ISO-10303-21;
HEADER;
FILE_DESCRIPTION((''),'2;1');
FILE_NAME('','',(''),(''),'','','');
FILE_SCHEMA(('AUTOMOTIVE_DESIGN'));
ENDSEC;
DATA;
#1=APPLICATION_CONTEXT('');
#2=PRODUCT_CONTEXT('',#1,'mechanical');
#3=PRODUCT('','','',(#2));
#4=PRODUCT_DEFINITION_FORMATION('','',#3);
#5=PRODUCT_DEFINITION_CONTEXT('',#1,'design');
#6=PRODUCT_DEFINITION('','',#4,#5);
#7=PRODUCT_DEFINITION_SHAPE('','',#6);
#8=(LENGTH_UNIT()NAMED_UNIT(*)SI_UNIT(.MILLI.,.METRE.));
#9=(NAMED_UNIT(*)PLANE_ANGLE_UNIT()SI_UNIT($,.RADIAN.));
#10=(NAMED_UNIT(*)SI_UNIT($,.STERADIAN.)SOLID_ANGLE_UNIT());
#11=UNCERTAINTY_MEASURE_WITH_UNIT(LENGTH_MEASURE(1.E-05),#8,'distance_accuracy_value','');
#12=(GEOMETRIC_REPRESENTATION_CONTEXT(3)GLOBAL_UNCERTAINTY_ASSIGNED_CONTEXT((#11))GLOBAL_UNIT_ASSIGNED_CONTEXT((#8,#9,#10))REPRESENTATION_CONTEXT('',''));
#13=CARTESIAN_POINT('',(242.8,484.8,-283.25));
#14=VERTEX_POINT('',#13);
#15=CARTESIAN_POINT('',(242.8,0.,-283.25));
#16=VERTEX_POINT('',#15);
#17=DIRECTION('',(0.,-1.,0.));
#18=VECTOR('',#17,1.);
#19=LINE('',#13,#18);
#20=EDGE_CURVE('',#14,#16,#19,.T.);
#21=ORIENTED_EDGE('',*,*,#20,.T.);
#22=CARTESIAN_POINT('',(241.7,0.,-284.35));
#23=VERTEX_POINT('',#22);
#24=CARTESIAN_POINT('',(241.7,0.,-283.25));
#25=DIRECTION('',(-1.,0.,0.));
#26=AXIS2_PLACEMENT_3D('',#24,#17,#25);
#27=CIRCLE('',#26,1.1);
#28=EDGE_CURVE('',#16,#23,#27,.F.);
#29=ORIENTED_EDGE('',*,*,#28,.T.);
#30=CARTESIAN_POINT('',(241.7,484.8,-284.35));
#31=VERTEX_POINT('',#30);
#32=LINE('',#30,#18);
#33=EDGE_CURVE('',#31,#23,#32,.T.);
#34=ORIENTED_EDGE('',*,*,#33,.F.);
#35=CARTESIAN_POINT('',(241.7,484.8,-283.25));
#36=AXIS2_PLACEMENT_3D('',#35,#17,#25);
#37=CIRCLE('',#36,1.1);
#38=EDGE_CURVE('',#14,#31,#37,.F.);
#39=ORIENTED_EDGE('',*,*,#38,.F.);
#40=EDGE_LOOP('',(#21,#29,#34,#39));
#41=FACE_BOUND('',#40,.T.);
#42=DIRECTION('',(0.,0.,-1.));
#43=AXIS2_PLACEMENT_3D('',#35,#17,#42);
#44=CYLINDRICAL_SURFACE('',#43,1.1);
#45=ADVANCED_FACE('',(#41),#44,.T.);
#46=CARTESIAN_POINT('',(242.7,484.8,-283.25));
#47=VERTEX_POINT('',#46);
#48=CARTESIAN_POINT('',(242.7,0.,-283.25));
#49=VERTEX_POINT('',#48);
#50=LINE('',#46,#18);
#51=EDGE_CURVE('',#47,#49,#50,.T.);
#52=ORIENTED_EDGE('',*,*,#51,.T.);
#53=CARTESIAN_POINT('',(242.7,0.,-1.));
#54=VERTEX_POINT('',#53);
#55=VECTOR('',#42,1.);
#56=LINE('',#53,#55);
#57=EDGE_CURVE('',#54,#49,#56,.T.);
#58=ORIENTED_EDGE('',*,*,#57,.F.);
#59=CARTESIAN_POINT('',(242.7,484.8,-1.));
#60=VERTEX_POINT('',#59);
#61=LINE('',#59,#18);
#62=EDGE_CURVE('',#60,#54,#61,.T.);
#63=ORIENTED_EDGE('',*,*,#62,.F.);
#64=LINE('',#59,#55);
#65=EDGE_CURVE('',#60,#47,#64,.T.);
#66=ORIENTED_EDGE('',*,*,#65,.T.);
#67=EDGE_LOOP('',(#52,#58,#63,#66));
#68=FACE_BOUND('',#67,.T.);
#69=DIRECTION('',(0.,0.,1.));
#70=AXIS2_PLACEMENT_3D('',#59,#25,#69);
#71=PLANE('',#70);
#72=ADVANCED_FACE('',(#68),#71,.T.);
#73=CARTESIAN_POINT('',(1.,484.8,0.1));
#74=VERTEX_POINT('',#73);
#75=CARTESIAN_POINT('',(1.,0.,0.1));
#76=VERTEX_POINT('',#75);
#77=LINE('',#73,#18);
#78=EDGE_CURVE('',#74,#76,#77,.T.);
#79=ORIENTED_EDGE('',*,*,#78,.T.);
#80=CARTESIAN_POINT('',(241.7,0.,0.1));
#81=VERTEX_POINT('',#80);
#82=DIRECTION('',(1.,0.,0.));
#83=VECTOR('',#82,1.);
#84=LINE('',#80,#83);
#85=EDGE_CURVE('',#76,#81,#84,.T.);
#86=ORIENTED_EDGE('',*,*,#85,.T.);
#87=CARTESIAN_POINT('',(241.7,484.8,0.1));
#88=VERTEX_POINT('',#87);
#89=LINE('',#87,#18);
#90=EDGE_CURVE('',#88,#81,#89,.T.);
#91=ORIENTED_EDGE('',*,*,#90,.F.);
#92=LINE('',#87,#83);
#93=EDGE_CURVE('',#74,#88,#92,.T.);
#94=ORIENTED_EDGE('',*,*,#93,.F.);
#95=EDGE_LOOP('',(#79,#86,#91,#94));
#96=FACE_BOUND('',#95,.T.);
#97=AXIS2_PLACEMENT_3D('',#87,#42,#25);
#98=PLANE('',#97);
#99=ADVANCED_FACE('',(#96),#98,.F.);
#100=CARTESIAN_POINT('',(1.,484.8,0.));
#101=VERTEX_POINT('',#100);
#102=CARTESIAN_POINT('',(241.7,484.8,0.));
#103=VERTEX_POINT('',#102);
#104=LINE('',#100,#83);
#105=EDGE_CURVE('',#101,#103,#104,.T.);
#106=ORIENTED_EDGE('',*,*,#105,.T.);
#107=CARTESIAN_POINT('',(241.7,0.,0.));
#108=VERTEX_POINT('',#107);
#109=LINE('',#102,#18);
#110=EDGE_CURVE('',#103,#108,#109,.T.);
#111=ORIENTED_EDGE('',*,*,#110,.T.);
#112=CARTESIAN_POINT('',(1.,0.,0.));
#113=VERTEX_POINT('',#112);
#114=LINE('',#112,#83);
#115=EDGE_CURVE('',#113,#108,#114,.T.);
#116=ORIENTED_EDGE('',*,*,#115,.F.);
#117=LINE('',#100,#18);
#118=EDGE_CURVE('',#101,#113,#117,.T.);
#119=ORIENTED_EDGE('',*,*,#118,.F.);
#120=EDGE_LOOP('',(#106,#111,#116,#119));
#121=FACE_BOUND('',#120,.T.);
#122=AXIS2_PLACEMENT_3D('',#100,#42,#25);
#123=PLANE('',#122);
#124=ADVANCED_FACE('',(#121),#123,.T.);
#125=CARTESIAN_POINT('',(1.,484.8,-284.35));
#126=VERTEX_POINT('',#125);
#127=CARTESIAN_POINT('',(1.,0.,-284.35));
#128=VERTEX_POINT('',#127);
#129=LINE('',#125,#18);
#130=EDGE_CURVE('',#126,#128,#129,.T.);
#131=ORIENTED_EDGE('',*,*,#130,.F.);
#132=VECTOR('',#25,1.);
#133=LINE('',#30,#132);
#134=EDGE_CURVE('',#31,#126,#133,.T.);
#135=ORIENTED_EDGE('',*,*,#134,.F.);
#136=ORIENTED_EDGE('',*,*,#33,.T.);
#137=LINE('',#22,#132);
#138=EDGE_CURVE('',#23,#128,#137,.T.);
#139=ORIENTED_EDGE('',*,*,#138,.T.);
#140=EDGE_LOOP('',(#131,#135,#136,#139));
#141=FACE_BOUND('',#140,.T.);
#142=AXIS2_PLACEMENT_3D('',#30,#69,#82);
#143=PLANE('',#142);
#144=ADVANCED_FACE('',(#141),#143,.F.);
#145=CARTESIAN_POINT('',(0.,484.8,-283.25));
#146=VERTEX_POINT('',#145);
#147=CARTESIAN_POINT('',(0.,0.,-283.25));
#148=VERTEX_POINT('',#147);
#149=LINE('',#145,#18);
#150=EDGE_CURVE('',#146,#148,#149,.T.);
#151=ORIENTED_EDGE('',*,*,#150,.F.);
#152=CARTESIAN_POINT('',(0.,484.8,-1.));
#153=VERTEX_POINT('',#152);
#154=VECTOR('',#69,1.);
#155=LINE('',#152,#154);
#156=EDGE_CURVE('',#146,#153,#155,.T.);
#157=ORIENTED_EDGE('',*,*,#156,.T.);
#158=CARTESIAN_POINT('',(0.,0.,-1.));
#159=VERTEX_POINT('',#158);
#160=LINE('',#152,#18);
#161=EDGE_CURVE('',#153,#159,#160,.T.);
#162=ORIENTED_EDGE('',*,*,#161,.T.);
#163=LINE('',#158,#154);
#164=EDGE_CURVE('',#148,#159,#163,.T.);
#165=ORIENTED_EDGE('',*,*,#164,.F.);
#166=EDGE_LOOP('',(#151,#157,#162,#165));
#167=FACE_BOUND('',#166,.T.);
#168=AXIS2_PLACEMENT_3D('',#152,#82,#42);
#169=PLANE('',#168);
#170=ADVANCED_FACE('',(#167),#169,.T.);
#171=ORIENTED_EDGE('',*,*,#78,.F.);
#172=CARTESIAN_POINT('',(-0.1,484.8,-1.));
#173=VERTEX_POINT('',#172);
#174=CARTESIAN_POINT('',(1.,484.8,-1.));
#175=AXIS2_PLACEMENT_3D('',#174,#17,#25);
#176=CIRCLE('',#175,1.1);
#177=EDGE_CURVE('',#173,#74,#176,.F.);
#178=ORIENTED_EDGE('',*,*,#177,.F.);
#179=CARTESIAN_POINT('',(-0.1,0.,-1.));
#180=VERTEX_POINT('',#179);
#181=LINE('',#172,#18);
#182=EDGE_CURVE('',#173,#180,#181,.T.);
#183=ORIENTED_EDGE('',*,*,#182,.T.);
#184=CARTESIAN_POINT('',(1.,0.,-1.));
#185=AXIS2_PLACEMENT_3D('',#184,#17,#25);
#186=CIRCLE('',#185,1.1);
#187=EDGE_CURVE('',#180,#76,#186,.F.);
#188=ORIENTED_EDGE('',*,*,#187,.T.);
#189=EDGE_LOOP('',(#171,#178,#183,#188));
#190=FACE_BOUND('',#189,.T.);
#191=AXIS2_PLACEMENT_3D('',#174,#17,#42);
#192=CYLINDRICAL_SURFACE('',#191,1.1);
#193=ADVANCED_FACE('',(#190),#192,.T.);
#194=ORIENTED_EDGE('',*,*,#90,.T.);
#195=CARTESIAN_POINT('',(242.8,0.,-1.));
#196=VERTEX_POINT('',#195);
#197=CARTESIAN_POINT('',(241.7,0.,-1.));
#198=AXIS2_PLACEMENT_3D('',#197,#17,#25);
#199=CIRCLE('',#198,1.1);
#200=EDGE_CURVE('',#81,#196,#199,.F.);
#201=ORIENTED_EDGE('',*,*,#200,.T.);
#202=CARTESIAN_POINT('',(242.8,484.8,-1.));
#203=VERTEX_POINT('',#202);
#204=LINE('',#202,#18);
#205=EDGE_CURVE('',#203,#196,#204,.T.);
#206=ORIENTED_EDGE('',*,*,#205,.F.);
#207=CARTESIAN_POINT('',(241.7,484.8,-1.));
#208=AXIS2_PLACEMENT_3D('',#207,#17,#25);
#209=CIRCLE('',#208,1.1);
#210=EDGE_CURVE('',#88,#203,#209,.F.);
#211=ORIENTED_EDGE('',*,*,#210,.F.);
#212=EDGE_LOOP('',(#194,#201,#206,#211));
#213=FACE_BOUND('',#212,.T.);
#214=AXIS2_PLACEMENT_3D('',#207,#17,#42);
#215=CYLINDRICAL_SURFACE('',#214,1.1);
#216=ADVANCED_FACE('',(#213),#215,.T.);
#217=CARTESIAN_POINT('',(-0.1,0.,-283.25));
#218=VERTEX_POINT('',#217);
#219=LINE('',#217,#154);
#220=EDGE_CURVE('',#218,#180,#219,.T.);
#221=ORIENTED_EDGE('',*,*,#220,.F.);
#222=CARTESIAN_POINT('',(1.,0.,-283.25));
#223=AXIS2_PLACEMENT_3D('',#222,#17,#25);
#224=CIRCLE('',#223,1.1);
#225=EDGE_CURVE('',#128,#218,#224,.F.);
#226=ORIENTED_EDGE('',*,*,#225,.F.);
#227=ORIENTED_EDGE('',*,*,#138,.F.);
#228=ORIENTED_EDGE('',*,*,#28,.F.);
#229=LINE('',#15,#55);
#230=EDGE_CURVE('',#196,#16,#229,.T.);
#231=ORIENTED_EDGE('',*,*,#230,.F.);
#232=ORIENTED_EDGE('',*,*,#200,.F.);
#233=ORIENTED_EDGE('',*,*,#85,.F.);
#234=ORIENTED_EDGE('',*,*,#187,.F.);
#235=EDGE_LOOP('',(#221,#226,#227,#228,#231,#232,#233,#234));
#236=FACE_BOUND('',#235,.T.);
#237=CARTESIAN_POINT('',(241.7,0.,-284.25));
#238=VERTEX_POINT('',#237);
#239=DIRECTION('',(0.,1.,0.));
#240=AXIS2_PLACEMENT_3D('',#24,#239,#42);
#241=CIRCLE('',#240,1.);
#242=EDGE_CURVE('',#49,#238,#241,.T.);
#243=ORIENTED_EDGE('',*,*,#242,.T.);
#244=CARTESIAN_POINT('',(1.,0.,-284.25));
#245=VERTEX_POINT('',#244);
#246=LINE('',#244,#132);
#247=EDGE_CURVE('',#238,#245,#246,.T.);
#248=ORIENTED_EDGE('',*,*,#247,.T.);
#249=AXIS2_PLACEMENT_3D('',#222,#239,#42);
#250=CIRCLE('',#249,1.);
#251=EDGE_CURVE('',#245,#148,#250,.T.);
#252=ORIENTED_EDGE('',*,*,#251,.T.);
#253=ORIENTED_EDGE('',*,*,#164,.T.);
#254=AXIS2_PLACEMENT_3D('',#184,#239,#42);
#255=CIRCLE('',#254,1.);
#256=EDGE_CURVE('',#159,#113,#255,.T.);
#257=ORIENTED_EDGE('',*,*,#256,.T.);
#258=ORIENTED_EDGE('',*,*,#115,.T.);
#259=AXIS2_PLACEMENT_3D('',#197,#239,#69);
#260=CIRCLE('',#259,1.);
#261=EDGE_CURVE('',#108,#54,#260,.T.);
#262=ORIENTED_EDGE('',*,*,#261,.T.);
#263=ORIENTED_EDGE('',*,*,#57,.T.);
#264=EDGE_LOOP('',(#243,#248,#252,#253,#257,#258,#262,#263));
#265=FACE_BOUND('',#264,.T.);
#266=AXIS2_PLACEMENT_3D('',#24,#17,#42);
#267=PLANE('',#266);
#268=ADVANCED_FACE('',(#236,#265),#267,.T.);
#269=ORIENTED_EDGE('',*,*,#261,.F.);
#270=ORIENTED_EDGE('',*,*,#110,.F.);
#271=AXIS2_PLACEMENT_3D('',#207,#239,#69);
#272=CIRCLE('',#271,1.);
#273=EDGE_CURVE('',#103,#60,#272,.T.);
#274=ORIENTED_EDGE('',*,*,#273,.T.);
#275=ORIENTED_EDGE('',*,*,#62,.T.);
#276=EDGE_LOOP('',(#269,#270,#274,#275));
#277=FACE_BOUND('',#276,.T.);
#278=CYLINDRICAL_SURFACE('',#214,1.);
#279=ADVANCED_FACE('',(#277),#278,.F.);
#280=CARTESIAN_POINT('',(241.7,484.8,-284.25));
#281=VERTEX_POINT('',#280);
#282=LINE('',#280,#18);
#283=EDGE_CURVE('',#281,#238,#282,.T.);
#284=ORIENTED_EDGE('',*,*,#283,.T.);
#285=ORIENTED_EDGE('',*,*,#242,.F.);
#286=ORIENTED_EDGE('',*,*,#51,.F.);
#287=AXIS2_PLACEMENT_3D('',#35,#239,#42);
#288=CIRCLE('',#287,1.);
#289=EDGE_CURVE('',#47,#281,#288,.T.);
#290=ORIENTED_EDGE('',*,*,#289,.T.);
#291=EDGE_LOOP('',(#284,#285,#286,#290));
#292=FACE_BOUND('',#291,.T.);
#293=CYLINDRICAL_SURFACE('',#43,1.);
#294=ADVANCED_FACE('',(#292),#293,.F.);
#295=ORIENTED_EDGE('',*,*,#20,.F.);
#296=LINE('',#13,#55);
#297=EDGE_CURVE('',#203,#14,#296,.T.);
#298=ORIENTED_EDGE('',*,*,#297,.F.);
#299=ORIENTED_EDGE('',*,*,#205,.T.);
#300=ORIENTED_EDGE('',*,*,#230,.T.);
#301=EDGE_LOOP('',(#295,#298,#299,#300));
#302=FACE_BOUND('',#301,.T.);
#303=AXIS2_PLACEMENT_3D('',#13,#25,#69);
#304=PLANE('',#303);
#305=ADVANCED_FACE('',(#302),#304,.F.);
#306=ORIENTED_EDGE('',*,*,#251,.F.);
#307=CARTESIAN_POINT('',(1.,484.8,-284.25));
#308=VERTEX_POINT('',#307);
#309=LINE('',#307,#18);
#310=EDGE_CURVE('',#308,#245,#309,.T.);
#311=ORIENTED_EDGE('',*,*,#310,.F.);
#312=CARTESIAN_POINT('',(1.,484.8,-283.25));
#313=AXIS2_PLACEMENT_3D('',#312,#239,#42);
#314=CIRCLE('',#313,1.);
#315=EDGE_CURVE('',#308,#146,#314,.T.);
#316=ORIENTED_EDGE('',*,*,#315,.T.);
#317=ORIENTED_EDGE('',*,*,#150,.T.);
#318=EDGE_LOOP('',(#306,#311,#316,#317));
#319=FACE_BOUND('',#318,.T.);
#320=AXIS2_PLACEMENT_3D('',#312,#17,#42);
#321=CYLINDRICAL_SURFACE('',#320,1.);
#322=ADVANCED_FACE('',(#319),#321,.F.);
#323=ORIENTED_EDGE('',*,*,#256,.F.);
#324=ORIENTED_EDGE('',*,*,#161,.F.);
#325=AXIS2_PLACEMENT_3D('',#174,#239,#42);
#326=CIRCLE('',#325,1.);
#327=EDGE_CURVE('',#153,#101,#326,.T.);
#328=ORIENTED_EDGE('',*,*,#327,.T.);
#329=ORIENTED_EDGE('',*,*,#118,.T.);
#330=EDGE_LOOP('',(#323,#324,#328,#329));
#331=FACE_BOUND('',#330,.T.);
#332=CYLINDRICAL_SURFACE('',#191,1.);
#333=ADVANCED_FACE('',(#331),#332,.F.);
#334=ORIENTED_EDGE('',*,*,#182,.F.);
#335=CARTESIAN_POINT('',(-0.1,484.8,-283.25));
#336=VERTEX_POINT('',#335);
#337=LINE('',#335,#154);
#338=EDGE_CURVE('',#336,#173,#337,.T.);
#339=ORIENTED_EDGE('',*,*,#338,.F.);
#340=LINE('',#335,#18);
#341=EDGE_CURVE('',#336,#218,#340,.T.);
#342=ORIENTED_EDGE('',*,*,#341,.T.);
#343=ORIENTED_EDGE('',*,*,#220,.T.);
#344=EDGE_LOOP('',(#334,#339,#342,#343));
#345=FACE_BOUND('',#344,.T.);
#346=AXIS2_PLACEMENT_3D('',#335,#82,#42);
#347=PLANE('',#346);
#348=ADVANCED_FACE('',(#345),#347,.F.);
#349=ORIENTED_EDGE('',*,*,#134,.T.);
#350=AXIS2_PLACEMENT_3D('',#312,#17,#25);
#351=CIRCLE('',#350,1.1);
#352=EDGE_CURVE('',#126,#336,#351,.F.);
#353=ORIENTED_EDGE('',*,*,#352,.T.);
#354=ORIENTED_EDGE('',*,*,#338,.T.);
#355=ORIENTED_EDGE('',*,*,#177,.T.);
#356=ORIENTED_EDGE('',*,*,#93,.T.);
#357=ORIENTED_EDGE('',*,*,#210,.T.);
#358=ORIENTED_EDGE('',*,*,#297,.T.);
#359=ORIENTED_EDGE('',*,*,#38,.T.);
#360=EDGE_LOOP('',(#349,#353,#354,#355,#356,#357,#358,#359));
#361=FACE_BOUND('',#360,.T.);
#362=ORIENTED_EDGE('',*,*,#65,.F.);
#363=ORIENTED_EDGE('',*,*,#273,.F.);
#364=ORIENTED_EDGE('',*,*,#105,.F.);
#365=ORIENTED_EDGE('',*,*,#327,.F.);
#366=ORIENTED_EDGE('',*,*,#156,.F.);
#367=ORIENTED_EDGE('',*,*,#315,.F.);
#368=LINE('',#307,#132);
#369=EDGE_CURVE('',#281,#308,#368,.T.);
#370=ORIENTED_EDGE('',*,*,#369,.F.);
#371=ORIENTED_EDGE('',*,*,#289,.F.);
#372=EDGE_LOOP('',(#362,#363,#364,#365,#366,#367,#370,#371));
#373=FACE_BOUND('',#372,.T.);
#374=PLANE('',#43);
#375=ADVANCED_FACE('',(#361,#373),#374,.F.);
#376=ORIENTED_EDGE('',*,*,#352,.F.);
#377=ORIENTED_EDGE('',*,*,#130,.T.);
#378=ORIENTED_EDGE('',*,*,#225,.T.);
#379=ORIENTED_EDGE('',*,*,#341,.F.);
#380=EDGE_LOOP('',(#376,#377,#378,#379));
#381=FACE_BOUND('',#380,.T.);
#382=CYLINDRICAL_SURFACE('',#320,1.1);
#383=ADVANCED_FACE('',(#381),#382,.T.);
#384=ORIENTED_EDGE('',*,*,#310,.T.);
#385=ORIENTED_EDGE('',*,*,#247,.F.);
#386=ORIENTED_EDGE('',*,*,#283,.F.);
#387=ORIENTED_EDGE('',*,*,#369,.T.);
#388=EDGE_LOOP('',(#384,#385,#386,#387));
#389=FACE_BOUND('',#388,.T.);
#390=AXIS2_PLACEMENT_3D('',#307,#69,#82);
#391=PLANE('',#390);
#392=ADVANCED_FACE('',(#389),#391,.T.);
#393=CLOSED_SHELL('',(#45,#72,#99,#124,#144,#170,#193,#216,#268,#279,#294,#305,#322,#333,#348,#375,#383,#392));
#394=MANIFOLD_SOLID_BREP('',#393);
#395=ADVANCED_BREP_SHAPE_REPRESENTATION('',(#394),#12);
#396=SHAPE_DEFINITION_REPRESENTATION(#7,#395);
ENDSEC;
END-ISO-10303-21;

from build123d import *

# Parameters (mm, degrees)
EXTRUDE_THIN1_DEPTH = 484.8


with BuildPart() as part:
    # Sketch1 → Extrude-Thin1 (new body)
    with BuildSketch(Plane(origin=(0, 0, 0), x_dir=(1, 0, 0), z_dir=(0, 1, 0))):
        with BuildLine():
            Line((-0.1, 283.25), (-0.1, 1))
            ThreePointArc((-0.1, 1), (0.222182541, 0.222182541), (1, -0.1))
            Line((1, -0.1), (241.7, -0.1))
            ThreePointArc((241.7, -0.1), (242.477817459, 0.222182541), (242.8, 1))
            Line((242.8, 1), (242.8, 283.25))
            ThreePointArc((242.8, 283.25), (242.477817459, 284.027817459), (241.7, 284.35))
            Line((241.7, 284.35), (1, 284.35))
            ThreePointArc((1, 284.35), (0.222182541, 284.027817459), (-0.1, 283.25))
        make_face()
        with BuildLine():
            Line((0, 283.25), (0, 1))
            ThreePointArc((0, 1), (0.292893219, 0.292893219), (1, 0))
            Line((1, 0), (241.7, 0))
            ThreePointArc((241.7, 0), (242.407106781, 0.292893219), (242.7, 1))
            Line((242.7, 1), (242.7, 283.25))
            ThreePointArc((242.7, 283.25), (242.407106781, 283.957106781), (241.7, 284.25))
            Line((241.7, 284.25), (1, 284.25))
            ThreePointArc((1, 284.25), (0.292893219, 283.957106781), (0, 283.25))
        make_face(mode=Mode.SUBTRACT)
    extrude(amount=EXTRUDE_THIN1_DEPTH)


solid = part.part
